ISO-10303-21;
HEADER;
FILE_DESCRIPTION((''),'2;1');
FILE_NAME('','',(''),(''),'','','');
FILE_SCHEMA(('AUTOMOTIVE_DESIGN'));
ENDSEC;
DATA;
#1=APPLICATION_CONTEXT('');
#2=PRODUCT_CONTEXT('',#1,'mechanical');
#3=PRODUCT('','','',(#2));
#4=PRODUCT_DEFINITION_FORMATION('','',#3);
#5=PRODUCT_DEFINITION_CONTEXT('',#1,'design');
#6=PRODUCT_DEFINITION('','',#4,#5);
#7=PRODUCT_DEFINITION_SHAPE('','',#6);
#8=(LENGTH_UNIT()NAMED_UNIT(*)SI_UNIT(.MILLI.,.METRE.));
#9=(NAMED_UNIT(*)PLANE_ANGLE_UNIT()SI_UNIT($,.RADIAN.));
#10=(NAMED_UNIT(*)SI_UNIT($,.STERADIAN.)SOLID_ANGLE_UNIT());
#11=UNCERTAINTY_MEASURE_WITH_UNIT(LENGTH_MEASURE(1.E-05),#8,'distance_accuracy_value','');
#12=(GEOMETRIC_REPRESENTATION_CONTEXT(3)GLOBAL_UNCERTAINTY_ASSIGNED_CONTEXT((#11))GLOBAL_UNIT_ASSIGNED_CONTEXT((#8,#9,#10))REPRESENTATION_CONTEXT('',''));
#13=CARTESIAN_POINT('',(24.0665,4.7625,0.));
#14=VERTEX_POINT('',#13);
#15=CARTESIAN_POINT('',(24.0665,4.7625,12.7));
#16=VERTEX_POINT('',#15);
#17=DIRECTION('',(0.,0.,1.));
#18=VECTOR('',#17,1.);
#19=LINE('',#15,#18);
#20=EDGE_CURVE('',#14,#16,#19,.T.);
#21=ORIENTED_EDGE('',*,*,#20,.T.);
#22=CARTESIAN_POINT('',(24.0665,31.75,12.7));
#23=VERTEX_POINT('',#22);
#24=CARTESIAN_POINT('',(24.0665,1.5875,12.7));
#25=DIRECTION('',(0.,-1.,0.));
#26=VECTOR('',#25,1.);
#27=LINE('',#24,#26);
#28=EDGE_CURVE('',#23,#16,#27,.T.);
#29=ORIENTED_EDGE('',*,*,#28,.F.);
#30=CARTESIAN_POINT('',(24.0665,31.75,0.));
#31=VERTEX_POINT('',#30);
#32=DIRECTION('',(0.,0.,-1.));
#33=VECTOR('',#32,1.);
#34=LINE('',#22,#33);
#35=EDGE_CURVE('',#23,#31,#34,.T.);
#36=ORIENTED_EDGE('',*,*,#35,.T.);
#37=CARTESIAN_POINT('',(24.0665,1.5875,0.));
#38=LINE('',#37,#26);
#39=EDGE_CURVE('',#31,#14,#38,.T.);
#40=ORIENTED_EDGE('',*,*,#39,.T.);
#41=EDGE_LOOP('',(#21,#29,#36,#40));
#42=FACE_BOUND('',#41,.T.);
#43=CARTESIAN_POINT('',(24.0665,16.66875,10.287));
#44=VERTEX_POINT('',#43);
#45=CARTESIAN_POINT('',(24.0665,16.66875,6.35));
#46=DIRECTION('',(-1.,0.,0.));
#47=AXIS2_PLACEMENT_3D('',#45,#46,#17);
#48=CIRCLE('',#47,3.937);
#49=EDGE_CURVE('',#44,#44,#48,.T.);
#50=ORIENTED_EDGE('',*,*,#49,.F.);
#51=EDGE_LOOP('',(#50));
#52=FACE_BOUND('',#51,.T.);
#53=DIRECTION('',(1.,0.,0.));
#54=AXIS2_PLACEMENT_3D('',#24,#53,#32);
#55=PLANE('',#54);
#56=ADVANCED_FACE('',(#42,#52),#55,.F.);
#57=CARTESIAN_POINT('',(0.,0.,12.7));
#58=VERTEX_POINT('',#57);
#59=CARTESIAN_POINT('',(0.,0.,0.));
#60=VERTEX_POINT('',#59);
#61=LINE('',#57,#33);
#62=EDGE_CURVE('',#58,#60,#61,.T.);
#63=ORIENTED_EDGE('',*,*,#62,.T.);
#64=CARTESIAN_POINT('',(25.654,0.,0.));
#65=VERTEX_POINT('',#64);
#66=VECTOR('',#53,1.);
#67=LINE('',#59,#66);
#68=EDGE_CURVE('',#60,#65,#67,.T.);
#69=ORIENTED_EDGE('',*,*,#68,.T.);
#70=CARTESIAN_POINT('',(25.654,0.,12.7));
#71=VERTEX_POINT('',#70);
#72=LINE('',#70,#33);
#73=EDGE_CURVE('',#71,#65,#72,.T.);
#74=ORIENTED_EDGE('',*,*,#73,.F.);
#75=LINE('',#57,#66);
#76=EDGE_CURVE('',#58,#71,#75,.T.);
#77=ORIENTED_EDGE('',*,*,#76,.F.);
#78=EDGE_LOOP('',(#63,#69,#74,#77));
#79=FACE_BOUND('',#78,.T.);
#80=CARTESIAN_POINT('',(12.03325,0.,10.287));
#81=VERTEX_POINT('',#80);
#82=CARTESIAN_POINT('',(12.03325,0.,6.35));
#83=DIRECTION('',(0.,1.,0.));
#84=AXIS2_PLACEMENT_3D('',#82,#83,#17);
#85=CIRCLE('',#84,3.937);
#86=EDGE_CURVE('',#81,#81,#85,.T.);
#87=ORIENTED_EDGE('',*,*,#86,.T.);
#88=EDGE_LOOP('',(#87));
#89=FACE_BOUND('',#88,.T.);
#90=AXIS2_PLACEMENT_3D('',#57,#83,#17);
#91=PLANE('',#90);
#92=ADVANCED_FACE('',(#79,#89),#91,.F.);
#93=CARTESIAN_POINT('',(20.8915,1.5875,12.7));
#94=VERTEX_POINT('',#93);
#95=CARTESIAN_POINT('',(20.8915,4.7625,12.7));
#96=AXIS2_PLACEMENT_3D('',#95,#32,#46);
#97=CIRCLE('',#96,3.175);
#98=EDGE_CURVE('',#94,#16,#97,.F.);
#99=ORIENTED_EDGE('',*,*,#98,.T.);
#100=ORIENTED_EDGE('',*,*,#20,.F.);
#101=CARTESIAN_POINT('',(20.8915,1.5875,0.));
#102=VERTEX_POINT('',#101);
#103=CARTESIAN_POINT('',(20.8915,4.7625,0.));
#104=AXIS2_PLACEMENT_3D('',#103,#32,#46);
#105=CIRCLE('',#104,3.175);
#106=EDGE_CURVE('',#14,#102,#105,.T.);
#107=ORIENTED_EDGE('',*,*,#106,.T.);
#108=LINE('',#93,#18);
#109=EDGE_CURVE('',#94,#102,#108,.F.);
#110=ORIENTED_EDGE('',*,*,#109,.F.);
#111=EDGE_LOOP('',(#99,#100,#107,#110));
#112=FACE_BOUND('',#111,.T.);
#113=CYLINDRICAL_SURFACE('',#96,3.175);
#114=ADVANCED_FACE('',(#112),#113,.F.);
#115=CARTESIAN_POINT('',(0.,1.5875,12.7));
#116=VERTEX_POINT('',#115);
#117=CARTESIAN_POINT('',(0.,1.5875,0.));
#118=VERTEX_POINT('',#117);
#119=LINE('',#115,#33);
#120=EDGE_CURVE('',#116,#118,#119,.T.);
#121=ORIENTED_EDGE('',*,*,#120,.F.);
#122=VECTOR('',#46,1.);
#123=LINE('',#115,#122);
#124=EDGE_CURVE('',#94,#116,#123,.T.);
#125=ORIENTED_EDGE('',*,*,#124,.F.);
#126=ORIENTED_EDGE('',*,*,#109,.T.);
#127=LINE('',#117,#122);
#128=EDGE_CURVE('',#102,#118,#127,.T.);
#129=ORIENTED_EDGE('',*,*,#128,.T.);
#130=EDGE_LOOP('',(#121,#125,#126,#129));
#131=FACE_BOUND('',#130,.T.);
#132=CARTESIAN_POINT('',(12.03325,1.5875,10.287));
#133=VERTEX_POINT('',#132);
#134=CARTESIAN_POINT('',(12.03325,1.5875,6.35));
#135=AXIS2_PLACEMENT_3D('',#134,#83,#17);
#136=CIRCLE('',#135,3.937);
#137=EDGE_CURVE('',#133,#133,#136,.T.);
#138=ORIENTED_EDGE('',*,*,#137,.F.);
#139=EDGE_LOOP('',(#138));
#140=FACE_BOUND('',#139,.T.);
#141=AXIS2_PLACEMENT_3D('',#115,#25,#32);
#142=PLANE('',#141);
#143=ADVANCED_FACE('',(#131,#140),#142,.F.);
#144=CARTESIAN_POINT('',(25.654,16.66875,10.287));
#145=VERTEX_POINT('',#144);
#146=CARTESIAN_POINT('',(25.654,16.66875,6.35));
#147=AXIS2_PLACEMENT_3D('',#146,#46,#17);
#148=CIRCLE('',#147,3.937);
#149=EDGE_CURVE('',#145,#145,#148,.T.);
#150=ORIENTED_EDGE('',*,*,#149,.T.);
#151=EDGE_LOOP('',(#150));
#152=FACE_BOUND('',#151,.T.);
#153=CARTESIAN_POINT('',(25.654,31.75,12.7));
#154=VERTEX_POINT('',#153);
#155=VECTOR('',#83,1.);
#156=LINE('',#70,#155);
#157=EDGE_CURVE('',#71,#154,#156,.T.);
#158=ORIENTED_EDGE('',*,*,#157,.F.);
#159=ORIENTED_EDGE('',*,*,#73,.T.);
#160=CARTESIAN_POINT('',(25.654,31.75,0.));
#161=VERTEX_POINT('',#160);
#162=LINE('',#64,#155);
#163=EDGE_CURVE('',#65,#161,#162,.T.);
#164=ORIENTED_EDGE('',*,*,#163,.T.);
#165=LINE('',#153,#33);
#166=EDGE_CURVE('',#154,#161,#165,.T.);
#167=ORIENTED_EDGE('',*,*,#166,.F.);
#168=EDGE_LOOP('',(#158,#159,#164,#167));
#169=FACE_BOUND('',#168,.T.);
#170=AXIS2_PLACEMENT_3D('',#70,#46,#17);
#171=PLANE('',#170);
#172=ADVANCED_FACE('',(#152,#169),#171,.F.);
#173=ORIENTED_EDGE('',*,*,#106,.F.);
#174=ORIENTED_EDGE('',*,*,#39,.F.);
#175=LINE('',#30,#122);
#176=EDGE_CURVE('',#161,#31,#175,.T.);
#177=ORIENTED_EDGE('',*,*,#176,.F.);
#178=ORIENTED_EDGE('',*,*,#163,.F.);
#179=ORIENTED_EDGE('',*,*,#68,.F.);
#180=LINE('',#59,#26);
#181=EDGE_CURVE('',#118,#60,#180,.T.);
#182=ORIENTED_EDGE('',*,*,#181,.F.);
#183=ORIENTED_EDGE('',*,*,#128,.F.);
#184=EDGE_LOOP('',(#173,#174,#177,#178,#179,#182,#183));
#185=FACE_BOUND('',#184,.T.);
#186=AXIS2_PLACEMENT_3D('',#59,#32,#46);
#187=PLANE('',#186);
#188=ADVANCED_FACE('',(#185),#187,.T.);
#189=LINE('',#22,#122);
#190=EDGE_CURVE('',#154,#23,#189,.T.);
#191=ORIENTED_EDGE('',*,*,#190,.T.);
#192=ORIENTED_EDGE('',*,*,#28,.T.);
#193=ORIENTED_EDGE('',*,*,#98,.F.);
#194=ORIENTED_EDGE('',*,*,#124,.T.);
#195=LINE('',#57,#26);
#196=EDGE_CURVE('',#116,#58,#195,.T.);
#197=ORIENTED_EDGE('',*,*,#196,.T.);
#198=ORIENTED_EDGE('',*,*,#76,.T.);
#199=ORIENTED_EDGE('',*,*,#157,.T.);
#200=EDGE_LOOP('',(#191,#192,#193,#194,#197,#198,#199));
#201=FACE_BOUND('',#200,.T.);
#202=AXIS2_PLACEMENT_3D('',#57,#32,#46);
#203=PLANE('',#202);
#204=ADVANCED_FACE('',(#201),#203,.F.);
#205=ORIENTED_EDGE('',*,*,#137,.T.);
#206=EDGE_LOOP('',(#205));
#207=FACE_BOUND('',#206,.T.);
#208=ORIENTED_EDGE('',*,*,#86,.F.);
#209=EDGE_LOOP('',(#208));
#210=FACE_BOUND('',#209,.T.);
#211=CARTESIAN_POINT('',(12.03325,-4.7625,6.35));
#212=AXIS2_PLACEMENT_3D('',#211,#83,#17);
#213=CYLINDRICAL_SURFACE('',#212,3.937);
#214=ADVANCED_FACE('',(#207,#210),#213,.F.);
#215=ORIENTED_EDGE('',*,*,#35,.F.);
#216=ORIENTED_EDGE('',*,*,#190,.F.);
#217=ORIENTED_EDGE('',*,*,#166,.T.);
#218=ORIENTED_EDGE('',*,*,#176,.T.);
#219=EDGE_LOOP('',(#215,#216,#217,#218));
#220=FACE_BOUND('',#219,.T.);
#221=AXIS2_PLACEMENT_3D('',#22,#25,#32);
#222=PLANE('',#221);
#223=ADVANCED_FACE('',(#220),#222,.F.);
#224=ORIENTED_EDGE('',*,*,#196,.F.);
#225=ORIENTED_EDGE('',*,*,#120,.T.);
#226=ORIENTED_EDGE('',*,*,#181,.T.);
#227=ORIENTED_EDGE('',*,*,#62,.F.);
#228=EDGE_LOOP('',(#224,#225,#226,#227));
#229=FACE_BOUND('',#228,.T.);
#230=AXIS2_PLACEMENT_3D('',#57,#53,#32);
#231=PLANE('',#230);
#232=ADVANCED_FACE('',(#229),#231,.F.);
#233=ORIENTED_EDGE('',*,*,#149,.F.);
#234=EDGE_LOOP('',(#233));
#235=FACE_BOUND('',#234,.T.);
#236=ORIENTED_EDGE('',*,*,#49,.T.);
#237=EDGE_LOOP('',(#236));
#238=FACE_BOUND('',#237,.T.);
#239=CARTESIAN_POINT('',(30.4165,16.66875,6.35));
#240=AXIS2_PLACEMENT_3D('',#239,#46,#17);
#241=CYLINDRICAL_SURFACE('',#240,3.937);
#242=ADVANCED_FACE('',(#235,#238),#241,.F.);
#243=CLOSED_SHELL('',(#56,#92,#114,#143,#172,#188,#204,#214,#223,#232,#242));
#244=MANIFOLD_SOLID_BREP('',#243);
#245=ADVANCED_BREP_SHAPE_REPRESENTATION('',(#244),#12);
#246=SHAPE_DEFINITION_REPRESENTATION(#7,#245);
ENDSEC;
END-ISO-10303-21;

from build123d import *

# Parameters (mm, degrees)
BOSS_EXTRUDE1_DEPTH = 12.7
SKETCH2_R           = 3.937
CUT_EXTRUDE1_DEPTH  = 6.35
SKETCH4_R           = 3.937
CUT_EXTRUDE2_DEPTH  = 6.35
FILLET2_R           = 3.175


with BuildPart() as part:
    # Sketch1 → Boss-Extrude1 (new body)
    with BuildSketch(Plane.XY):
        Polygon((0, 0), (25.654, 0), (25.654, 31.75), (24.0665, 31.75), (24.0665, 1.5875), (0, 1.5875), align=None)
    extrude(amount=BOSS_EXTRUDE1_DEPTH)

    # Sketch2 → Cut-Extrude1 (cut)
    with BuildSketch(Plane.ZY.offset(-24.0665)):
        with Locations((6.35, 16.66875)):
            Circle(SKETCH2_R)
    extrude(amount=-CUT_EXTRUDE1_DEPTH, mode=Mode.SUBTRACT)

    # Sketch4 → Cut-Extrude2 (cut)
    with BuildSketch(Plane(origin=(0, 1.5875, 0), x_dir=(1, 0, 0), z_dir=(0, 1, 0))):
        with Locations(Location((12.03325, -6.35, 0), (0, 0, 270))):
            Circle(SKETCH4_R)
    extrude(amount=-CUT_EXTRUDE2_DEPTH, mode=Mode.SUBTRACT)

    # Fillet2
    fillet2_edges = [part.edges().sort_by_distance(p)[0] for p in [
        (24.0665, 1.5875, 6.35),
    ]]
    fillet(fillet2_edges, radius=FILLET2_R)


solid = part.part
